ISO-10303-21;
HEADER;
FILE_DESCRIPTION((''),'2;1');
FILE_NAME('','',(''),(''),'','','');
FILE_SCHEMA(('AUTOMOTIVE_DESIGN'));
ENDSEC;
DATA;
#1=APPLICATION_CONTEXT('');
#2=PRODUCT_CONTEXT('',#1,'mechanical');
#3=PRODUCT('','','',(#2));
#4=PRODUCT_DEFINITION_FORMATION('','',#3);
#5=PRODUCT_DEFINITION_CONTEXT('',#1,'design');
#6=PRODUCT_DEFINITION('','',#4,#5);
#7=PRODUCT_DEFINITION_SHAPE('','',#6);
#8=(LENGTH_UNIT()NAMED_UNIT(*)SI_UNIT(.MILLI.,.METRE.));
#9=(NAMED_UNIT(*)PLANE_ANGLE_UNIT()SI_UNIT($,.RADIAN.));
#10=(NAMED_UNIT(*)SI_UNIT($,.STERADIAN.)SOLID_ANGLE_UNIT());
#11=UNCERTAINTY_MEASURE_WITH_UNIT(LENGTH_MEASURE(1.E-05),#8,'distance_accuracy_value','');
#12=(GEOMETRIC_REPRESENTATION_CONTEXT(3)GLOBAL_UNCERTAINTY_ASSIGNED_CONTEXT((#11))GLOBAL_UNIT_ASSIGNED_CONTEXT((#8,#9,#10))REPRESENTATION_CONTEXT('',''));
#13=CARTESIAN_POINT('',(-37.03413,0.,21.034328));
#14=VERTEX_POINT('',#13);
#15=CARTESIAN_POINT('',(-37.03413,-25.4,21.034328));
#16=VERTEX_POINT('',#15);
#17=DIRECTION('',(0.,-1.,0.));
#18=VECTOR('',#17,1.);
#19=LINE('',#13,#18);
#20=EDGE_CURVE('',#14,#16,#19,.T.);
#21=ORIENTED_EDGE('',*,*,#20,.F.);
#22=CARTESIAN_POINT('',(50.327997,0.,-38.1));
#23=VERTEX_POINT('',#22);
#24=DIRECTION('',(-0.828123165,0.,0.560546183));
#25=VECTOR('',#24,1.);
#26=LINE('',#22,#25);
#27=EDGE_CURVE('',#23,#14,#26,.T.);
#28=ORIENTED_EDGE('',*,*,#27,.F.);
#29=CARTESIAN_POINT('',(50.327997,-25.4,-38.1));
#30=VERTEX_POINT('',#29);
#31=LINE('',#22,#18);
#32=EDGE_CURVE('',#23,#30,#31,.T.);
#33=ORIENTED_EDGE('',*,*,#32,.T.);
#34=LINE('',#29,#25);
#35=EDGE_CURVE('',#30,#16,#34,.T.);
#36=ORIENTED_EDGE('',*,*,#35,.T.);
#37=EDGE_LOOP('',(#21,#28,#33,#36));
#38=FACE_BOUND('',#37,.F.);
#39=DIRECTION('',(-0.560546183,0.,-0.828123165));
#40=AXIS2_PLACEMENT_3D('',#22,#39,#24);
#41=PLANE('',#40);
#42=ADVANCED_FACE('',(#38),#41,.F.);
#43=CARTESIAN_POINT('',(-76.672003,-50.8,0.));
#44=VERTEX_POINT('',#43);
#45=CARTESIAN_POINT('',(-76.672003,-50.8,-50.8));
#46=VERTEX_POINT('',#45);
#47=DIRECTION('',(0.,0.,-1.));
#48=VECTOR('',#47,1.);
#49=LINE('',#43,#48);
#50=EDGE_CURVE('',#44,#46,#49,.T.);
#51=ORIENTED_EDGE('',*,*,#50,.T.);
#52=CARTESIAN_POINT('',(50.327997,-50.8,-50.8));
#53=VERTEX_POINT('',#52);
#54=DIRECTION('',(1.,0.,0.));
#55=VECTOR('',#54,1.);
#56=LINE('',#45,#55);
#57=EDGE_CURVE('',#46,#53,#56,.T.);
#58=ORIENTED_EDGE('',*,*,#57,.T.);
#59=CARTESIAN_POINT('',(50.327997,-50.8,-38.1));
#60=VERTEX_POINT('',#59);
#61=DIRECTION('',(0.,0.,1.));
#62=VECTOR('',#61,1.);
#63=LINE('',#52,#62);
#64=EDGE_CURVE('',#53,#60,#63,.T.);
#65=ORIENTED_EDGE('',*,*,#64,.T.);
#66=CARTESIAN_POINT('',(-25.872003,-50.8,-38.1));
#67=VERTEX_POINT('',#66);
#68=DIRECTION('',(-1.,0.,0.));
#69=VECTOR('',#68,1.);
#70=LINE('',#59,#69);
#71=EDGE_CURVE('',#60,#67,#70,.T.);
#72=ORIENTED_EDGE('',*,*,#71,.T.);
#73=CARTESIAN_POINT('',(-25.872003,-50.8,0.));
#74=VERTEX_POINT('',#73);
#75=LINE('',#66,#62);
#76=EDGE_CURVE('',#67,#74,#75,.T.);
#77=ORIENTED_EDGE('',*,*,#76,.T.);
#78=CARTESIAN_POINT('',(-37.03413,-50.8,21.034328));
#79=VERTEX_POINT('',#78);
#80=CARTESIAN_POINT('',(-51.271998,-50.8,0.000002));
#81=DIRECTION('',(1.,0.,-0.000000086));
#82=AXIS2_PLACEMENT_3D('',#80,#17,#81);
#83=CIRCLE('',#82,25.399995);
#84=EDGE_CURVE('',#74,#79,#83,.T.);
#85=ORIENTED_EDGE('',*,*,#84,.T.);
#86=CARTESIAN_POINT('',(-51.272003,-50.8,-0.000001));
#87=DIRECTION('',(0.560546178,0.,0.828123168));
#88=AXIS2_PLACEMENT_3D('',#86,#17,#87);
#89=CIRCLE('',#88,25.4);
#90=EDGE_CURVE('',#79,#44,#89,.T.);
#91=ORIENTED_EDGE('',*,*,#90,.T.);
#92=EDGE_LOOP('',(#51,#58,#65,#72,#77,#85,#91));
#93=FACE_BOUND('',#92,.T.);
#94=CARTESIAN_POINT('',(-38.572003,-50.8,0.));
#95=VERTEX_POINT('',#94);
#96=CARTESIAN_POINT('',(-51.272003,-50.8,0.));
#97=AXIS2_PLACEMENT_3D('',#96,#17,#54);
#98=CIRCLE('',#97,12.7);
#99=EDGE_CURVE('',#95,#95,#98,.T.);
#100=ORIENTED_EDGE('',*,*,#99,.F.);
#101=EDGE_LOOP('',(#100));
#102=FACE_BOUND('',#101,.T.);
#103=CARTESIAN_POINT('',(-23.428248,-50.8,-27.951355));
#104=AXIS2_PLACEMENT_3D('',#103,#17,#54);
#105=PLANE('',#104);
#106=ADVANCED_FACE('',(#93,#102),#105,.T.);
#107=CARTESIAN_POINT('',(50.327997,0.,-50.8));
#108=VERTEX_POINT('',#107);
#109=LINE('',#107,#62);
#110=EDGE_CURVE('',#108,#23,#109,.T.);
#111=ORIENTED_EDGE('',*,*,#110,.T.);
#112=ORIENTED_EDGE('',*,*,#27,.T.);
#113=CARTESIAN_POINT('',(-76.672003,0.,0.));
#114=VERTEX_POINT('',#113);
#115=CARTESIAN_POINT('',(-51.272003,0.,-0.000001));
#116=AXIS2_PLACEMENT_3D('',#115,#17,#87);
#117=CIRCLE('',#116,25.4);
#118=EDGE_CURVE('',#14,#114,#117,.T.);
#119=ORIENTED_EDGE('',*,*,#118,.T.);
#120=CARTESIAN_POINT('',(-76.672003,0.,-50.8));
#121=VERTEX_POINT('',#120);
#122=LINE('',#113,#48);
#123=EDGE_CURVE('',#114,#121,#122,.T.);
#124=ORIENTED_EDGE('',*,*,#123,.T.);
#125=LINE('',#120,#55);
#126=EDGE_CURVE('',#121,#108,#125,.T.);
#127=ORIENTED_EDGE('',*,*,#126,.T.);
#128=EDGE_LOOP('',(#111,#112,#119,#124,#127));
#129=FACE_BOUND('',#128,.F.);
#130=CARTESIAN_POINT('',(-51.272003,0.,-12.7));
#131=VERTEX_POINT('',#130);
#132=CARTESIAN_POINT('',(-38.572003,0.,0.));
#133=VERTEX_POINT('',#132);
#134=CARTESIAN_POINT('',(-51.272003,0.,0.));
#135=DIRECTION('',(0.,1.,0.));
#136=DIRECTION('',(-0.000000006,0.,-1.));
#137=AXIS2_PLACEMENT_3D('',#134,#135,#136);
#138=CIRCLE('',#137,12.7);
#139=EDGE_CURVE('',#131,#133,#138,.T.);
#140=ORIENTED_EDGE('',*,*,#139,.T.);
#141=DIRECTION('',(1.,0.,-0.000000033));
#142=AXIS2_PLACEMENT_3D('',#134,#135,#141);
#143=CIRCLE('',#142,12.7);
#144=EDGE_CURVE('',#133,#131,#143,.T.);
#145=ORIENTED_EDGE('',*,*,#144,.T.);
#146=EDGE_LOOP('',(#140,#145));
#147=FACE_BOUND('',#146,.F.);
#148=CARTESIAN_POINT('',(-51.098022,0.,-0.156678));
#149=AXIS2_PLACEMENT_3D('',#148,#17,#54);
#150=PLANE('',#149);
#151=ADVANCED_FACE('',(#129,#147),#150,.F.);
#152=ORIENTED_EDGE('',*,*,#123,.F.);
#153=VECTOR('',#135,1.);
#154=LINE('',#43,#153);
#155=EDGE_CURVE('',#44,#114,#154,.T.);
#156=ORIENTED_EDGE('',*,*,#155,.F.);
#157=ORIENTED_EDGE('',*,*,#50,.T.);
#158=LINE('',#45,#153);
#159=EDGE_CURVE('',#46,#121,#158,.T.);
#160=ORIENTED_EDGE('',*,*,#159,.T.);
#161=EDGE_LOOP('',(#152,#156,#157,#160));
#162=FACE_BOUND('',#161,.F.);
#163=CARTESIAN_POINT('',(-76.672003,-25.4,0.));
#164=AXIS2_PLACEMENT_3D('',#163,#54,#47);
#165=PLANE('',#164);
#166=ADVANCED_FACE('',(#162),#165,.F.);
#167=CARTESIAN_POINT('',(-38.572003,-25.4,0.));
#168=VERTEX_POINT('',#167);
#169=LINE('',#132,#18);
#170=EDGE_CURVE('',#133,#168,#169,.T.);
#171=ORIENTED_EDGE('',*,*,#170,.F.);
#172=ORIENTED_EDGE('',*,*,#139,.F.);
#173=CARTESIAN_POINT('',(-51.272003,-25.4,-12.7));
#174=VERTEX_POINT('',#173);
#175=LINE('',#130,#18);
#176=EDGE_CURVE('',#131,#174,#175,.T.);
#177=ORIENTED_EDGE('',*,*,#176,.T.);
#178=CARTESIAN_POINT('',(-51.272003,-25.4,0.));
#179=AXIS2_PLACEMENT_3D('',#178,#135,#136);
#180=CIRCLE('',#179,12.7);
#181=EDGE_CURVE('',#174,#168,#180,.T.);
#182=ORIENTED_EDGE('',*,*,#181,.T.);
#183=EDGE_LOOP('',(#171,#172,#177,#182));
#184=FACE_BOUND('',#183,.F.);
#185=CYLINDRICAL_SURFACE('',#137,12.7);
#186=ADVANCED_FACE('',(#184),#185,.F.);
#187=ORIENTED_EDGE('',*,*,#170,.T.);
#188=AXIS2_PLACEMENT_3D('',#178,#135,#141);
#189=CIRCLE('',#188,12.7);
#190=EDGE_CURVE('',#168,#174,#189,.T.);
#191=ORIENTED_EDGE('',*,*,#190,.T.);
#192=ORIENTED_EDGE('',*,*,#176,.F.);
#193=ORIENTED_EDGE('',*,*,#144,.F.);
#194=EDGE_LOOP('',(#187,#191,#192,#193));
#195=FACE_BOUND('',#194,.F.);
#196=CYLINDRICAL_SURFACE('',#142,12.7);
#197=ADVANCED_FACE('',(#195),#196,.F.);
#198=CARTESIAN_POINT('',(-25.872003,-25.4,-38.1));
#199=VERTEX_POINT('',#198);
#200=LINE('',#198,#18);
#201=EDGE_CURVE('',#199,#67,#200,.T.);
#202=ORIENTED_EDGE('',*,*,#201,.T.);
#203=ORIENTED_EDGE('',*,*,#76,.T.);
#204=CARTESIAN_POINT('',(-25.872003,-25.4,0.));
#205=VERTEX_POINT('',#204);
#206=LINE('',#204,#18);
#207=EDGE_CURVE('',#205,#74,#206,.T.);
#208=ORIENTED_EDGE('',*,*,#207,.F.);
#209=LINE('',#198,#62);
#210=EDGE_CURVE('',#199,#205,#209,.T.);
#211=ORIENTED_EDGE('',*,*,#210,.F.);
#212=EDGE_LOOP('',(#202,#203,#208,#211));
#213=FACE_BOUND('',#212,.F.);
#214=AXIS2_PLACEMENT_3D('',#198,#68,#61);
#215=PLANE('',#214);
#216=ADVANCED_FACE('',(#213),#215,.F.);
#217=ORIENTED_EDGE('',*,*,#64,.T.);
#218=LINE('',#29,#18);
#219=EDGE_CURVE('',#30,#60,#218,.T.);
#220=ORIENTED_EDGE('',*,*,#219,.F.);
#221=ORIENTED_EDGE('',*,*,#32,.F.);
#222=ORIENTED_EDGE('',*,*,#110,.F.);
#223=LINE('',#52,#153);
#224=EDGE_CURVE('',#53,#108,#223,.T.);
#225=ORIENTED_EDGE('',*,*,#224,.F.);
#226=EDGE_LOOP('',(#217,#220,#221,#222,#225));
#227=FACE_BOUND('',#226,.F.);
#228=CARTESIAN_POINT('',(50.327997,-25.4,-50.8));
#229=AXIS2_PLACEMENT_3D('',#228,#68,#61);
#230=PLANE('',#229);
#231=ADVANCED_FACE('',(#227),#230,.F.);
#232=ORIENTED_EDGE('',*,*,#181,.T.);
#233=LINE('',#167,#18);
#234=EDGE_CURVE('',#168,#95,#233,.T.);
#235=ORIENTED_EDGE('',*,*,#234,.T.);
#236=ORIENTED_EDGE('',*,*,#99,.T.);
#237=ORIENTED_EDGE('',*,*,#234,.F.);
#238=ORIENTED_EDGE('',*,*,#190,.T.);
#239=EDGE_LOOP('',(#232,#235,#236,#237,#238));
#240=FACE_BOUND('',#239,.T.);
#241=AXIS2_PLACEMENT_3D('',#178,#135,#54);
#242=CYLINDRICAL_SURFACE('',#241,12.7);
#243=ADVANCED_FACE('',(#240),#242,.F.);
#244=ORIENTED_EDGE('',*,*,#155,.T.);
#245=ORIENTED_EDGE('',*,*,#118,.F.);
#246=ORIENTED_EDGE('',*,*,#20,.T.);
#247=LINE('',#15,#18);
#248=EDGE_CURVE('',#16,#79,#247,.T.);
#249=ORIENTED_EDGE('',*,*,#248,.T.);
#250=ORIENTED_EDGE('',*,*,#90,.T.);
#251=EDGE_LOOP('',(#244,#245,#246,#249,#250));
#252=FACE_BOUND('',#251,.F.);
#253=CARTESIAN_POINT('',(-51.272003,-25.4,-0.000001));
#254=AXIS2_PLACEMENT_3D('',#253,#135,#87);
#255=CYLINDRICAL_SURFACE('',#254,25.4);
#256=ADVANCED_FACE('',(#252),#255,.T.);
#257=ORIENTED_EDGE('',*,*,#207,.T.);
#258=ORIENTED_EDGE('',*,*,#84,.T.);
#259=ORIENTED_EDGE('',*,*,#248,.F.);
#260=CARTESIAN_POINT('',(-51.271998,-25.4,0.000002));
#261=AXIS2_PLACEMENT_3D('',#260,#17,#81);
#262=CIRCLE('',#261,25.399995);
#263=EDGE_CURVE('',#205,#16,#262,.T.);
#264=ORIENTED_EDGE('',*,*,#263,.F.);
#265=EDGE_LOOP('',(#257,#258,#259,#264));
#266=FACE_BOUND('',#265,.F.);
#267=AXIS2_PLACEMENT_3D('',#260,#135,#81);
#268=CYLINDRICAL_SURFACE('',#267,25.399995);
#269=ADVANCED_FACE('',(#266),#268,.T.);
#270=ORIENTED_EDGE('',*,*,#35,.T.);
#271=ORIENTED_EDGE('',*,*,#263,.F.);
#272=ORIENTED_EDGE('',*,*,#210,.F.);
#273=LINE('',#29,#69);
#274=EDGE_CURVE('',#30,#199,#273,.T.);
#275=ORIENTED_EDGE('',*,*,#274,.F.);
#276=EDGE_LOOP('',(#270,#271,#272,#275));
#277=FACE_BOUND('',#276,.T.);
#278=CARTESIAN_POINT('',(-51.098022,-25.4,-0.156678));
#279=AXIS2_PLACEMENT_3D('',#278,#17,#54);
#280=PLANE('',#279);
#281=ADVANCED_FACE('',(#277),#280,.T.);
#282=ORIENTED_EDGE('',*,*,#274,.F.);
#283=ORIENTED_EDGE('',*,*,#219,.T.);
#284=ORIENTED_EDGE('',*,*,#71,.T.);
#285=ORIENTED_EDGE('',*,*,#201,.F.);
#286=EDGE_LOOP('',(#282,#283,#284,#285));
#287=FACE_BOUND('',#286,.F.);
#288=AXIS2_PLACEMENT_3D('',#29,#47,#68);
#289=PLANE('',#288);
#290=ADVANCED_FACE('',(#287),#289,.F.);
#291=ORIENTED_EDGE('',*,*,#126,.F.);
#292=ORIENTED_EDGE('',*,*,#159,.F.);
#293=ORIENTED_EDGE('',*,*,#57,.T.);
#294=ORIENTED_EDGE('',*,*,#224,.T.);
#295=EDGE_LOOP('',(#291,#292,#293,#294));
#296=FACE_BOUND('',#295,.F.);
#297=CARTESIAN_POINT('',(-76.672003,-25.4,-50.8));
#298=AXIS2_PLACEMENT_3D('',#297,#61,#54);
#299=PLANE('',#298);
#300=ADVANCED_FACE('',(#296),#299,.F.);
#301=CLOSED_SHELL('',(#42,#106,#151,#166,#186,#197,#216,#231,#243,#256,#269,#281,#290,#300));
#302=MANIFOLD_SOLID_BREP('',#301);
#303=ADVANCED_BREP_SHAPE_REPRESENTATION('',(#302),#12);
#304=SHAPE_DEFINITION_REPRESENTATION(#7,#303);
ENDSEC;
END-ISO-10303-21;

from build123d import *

# Parameters (mm, degrees)
F1_DEPTH = 25.4
F2_R     = 12.7
F3_DEPTH = 25.4


with BuildPart() as f1:
    # F0 (on Front) → F1 (new body)
    with BuildSketch(Plane.XZ):
        with BuildLine():
            ThreePointArc((-37.03413, 21.034328), (-63.178262, 22.436599), (-76.672003, 0))
            ThreePointArc((-76.672003, 0), (-69.232515, -17.960512), (-51.272003, -25.4))
            ThreePointArc((-51.272003, -25.4), (-33.31149, -17.960512), (-25.872003, 0))
            ThreePointArc((-25.872003, 0), (-28.835403, 11.906259), (-37.03413, 21.034328))
        make_face()
        with BuildLine():
            ThreePointArc((-38.572003, 0), (-42.291747, -8.980256), (-51.272003, -12.7))
            ThreePointArc((-51.272003, -12.7), (-60.252259, 8.980256), (-38.572003, 0))
        make_face(mode=Mode.SUBTRACT)
        with BuildLine():
            Line((-76.672003, 0), (-76.672003, -50.8))
            Line((-76.672003, -50.8), (-51.272003, -50.8))
            Line((-51.272003, -50.8), (-51.272003, -25.4))
            ThreePointArc((-51.272003, -25.4), (-69.232515, -17.960512), (-76.672003, 0))
        make_face()
        with BuildLine():
            Line((-51.272003, -25.4), (-51.272003, -50.8))
            Line((-51.272003, -50.8), (50.327997, -50.8))
            Line((50.327997, -50.8), (50.327997, -38.1))
            Line((50.327997, -38.1), (-37.03413, 21.034328))
            ThreePointArc((-37.03413, 21.034328), (-28.835403, 11.906259), (-25.872003, 0))
            ThreePointArc((-25.872003, 0), (-33.31149, -17.960512), (-51.272003, -25.4))
        make_face()
    extrude(amount=F1_DEPTH)

    # F2 (on face) → F3 (join)
    with BuildSketch(Plane.XZ.offset(25.4)):
        with BuildLine():
            Line((50.327997, -50.8), (50.327997, -38.1))
            Line((50.327997, -38.1), (-25.872003, -38.1))
            Line((-25.872003, -38.1), (-25.872003, 0))
            ThreePointArc((-25.872003, 0), (-28.835403, 11.906259), (-37.03413, 21.034328))
            ThreePointArc((-37.03413, 21.034328), (-63.178262, 22.436599), (-76.672003, 0))
            Line((-76.672003, 0), (-76.672003, -38.1))
            Line((-76.672003, -38.1), (-76.672003, -50.8))
            Line((-76.672003, -50.8), (50.327997, -50.8))
        make_face()
        with Locations((-51.272003, 0)):
            Circle(F2_R, mode=Mode.SUBTRACT)
    extrude(amount=F3_DEPTH)


solid = f1.part
